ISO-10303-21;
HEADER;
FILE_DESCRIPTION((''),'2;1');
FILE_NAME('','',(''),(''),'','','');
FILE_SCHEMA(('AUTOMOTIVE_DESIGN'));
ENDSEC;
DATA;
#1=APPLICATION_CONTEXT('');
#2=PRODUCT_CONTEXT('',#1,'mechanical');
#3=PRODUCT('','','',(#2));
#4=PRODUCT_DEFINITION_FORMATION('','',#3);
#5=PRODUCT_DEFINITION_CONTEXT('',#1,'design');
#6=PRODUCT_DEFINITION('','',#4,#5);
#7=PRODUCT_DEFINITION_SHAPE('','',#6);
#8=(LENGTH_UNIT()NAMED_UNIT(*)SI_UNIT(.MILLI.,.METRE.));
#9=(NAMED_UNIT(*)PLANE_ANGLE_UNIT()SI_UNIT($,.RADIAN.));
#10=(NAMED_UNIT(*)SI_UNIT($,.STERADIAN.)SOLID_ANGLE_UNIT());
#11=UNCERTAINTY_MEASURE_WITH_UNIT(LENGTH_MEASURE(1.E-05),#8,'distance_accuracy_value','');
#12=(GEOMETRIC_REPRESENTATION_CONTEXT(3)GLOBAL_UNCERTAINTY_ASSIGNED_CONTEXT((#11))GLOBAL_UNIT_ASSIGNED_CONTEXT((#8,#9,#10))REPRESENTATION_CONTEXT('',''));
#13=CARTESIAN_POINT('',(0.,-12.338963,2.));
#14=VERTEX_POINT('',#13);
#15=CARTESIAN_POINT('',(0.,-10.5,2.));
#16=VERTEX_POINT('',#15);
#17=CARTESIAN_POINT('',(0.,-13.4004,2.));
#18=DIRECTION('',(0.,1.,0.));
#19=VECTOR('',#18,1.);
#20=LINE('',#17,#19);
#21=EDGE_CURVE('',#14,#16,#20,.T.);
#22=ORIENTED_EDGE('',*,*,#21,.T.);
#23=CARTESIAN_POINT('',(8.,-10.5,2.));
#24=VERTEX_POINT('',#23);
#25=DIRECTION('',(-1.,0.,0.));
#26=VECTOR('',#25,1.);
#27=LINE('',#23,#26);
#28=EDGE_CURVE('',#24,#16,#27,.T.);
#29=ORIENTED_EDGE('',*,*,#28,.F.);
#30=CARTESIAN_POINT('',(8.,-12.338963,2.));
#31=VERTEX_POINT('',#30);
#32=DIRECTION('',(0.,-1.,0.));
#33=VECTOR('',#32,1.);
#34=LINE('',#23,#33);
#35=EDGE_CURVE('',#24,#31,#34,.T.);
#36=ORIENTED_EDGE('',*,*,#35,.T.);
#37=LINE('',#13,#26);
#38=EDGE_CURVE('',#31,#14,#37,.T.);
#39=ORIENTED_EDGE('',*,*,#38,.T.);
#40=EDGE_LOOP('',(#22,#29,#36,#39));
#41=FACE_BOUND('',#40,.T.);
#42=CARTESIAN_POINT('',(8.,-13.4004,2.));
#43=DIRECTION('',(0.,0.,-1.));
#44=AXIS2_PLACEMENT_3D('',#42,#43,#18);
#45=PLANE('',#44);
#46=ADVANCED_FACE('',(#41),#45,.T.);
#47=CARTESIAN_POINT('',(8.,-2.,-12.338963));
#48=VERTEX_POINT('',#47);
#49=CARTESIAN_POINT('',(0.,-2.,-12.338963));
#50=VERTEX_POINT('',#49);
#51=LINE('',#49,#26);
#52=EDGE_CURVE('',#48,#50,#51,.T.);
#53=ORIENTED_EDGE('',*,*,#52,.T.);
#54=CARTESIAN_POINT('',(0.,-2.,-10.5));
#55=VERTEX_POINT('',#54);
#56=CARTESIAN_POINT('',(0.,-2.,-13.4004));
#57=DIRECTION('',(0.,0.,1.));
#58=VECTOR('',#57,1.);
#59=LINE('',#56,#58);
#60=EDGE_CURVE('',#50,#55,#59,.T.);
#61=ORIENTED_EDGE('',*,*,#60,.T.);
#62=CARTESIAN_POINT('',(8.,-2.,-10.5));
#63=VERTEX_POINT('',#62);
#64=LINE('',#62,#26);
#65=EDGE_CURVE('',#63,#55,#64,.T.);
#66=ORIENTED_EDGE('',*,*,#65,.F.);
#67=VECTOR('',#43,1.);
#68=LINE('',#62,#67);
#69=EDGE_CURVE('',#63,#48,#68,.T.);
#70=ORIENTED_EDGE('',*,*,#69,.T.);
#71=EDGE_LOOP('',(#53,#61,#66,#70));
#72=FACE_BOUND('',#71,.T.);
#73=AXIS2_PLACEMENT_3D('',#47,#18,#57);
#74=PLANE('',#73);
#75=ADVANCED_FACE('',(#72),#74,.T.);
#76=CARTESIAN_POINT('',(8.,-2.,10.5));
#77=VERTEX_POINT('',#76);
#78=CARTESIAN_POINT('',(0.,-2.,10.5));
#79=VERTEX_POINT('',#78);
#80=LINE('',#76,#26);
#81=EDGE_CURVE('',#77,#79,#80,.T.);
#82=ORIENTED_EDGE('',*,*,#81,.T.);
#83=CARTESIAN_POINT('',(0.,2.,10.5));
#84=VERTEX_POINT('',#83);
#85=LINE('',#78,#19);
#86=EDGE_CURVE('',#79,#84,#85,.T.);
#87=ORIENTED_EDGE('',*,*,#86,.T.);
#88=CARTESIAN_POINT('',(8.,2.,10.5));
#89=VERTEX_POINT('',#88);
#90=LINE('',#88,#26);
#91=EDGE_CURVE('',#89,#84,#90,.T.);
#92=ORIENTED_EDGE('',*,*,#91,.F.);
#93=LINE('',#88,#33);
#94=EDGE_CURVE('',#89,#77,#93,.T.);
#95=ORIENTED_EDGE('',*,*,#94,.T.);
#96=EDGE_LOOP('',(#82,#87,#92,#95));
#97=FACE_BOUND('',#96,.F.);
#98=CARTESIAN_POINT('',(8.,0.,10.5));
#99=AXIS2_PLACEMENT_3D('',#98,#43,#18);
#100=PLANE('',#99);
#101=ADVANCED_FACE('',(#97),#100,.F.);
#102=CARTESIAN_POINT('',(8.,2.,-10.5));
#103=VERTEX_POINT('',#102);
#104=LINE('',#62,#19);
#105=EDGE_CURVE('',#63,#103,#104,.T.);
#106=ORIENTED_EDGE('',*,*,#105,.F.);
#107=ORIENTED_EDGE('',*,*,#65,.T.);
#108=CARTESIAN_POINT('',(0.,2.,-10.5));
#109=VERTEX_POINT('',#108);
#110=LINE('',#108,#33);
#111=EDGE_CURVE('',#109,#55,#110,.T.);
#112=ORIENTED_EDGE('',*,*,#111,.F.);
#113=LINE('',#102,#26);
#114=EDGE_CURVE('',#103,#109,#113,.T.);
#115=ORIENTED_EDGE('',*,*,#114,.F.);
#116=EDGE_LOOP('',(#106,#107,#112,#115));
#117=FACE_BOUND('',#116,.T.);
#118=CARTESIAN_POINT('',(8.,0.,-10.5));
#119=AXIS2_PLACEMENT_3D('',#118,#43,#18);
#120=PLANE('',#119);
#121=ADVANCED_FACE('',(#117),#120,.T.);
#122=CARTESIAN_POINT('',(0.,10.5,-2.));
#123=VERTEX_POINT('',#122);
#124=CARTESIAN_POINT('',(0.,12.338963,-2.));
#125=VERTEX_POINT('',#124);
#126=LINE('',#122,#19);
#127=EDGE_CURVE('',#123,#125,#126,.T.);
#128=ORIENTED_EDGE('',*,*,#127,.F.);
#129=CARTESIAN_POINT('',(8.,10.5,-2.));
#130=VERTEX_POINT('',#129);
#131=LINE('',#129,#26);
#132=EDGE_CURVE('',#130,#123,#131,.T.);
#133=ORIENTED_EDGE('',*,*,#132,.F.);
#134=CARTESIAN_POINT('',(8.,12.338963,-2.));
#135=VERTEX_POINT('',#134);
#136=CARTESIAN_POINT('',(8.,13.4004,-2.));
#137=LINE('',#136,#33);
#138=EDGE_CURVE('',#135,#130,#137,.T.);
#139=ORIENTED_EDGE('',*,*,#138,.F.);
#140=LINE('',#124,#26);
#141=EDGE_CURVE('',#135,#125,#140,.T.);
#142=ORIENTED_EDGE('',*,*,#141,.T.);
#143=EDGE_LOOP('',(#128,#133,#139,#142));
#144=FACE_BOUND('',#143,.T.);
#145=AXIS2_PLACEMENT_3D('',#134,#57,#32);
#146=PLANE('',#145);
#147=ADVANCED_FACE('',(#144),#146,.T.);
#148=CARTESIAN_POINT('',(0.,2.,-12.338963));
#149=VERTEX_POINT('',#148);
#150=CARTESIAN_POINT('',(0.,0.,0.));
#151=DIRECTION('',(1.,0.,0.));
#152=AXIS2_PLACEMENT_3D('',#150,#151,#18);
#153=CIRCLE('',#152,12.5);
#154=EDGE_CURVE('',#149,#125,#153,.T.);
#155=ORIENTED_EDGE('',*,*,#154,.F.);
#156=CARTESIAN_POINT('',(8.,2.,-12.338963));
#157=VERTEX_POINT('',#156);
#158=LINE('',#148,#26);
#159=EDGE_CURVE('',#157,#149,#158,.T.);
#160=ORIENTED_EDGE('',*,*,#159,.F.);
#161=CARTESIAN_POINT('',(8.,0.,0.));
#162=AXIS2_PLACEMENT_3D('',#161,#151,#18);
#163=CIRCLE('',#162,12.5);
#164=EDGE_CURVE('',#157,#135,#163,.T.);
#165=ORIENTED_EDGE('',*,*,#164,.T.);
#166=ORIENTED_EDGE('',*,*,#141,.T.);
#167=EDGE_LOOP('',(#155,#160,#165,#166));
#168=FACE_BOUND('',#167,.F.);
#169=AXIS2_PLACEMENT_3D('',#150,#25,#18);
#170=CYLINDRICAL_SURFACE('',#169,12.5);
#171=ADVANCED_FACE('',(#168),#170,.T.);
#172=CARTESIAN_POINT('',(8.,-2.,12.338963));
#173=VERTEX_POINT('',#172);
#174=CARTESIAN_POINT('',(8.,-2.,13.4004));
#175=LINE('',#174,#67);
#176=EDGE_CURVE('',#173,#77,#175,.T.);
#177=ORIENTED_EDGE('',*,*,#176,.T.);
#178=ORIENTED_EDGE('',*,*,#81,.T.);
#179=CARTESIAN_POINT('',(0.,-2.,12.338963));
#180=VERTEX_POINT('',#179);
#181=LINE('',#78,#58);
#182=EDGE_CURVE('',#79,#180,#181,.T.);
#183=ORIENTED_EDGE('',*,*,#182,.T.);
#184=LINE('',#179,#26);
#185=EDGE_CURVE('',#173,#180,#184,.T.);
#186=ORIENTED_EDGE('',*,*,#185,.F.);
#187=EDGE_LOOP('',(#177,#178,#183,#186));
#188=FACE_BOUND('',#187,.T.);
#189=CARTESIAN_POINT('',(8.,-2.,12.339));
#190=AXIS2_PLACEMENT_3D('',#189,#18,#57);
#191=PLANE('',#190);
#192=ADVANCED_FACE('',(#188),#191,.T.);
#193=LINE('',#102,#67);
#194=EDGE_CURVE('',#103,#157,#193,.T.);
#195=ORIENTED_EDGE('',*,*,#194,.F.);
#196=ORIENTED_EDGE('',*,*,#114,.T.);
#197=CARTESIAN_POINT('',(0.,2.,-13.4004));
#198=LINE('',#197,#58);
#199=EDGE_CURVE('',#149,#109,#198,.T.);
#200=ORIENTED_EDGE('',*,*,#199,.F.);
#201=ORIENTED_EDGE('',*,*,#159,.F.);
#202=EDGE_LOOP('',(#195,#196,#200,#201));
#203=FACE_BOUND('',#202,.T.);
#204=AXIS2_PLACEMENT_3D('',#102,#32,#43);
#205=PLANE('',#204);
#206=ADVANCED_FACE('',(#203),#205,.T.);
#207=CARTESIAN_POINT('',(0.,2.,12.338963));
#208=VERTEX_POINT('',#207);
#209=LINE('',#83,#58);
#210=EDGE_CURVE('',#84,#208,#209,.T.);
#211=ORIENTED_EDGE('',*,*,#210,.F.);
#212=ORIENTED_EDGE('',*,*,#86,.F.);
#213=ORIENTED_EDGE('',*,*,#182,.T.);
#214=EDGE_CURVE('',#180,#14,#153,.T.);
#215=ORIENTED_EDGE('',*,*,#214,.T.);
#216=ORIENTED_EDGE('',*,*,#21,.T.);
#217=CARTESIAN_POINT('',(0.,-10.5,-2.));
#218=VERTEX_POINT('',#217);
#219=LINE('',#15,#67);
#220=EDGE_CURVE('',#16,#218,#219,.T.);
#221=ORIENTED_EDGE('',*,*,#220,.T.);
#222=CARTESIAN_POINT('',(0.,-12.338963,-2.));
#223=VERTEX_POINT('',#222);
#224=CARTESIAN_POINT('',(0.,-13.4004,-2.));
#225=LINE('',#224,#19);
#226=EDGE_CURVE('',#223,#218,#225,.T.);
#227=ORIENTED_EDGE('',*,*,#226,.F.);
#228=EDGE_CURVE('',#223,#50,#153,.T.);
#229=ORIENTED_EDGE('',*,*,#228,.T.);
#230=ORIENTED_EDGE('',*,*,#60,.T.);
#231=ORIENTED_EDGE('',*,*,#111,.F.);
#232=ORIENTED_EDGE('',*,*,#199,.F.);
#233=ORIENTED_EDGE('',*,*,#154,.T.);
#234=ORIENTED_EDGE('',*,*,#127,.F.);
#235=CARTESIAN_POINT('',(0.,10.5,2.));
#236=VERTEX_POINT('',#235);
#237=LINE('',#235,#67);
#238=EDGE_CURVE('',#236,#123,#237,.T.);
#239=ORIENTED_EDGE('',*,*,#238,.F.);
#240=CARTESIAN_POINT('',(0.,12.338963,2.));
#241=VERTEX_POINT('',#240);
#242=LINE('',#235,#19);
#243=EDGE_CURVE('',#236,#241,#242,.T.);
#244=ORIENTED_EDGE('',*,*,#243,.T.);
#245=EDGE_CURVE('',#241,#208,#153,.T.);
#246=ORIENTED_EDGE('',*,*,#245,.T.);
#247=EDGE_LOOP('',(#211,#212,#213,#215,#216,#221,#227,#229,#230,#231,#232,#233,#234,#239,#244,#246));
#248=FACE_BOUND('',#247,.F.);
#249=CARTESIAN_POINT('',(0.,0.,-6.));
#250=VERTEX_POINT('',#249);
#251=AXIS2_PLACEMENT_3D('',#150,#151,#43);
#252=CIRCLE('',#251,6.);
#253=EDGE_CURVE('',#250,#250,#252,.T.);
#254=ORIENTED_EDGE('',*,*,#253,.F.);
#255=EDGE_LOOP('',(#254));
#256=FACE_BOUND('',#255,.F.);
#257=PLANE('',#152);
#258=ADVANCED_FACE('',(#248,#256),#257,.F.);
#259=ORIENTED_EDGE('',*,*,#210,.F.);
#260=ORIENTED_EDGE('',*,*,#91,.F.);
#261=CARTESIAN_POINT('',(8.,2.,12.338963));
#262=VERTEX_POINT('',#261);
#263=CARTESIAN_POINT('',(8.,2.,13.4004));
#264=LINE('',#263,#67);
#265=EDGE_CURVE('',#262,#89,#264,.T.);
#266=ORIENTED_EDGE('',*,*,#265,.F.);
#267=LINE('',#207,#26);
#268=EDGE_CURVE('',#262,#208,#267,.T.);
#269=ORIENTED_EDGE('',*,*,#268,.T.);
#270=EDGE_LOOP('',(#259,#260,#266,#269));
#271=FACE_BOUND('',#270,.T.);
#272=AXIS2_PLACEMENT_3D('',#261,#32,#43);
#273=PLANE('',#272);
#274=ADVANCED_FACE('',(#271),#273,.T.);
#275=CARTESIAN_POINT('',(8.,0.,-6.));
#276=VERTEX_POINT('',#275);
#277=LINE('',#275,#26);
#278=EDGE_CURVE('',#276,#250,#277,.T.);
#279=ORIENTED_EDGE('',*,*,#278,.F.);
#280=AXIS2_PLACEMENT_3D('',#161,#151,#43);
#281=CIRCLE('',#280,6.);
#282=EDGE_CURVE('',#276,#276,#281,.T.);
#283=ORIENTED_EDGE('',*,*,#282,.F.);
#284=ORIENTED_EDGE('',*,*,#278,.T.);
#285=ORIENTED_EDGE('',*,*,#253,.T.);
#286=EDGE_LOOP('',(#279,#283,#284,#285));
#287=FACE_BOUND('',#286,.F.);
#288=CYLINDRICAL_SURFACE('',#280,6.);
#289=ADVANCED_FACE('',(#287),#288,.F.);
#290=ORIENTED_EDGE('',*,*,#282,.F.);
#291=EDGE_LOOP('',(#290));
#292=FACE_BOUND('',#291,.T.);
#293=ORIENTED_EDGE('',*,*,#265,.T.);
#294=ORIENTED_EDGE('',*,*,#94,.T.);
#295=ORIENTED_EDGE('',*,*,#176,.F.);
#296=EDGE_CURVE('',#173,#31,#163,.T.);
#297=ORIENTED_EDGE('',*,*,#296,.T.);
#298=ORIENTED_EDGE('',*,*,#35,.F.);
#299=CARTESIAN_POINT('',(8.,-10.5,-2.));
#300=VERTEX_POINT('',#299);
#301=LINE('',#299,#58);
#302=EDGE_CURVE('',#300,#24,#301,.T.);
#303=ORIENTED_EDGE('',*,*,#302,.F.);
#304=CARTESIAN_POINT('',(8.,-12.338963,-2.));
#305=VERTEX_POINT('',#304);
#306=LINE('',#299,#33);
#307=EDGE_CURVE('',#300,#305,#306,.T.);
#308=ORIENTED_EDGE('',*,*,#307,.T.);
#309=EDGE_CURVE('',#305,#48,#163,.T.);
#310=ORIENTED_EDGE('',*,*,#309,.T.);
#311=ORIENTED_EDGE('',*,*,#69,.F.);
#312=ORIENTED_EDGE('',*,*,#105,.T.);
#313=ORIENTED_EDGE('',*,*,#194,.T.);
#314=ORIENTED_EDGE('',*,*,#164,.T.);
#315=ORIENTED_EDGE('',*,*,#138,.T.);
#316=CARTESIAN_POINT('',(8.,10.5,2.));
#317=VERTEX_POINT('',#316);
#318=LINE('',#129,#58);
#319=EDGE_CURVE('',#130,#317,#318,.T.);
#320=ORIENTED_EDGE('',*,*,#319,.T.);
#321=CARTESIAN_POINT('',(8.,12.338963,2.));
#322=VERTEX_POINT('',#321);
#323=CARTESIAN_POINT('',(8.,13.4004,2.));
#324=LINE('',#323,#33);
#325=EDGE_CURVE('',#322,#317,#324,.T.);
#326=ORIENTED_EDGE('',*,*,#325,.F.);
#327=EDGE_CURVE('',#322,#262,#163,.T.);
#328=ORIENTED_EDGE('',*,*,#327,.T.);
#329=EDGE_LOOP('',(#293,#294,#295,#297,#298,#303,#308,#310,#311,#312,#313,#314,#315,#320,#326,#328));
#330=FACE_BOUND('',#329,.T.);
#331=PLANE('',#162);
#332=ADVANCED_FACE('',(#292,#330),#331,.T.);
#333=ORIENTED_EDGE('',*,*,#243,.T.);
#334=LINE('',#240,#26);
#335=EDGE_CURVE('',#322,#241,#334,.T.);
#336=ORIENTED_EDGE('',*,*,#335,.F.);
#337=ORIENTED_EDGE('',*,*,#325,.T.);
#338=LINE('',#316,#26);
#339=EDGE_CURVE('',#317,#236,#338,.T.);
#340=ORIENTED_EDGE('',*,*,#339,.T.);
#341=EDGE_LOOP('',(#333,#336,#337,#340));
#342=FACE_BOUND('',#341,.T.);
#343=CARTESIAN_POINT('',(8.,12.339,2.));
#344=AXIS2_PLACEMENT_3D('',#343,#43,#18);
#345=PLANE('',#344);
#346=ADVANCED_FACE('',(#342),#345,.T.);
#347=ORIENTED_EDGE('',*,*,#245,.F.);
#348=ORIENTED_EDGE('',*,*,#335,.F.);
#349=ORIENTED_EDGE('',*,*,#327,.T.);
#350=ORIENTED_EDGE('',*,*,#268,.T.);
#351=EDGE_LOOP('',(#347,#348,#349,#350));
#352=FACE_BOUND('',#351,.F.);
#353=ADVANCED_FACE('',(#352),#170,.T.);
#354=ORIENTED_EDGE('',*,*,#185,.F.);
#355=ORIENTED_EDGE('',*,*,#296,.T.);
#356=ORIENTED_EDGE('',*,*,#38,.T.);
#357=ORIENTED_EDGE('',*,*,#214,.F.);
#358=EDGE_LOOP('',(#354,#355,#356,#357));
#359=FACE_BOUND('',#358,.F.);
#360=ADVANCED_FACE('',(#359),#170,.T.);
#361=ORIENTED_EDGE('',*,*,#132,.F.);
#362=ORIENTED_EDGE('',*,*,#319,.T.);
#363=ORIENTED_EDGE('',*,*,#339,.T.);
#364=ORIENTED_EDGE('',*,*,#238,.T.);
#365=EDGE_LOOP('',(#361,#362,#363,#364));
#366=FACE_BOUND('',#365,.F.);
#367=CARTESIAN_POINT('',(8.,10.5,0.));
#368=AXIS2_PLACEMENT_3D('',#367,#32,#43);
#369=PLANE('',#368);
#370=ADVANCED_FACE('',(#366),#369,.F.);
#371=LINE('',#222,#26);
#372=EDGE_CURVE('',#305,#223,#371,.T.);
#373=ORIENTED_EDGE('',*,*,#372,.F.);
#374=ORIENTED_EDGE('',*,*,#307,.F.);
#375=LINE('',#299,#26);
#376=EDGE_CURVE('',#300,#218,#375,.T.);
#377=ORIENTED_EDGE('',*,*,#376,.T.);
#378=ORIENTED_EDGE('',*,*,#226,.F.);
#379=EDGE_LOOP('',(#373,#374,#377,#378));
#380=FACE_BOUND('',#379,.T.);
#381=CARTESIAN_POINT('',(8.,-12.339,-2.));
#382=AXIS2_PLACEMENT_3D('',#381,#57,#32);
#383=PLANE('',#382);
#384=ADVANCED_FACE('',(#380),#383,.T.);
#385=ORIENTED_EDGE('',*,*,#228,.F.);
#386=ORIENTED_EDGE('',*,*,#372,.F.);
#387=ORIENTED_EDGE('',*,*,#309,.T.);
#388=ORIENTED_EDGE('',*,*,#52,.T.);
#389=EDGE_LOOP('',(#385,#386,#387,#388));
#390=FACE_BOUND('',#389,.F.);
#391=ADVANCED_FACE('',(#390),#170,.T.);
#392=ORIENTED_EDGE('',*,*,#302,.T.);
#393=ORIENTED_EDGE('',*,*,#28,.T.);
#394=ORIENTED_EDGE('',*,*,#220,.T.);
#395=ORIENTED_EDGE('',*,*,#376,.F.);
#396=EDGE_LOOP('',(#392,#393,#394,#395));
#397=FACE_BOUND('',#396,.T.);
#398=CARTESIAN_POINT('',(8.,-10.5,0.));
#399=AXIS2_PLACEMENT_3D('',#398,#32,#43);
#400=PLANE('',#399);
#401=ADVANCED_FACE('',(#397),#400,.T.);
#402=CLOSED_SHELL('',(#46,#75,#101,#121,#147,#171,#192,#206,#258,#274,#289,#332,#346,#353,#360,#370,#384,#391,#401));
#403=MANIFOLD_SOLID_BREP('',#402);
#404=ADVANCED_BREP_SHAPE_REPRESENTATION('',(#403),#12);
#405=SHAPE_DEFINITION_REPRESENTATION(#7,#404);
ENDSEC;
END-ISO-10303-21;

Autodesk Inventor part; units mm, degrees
ref_plane "YZ Plane" through (0, 0, 0) normal (1, 0, 0) x (0, 1, 0)
ref_plane "XZ Plane" through (0, 0, 0) normal (0, 1, 0) x (-1, 0, 0)
sketch "Sketch1" plane through (0, 0, 0) normal (1, 0, 0) x (0, 1, 0)
  circle A0 centre (0, 0) radius 12.5
  dimension "d0" = 25
extrude "Extrusion1" add sketch "Sketch1" along normal blind 8
sketch "Sketch2" plane through (8, 0, 0) normal (1, 0, 0) x (0, 0, -1)
  circle A0 centre (0, 0) radius 6
  dimension "d3" = 12
extrude "Extrusion2" cut sketch "Sketch2" against normal blind 8
thread "Thread1" size "M12x1.75" class "6H" standard "ISO Metric profile" length 13
sketch "Sketch3" plane through (8, 0, 0) normal (1, 0, 0) x (0, 0, -1)
  circle A0 centre (0, 0) radius 12.5 projected
  line L0 (0, 12.5) -> (0, 10.5)
  line L1 (0, 10.5) -> (-2, 10.5)
  line L2 (-2, 10.5) -> (2, 10.5)
  line L3 (-2, 10.5) -> (-2, 12.339)
  line L4 (-2, 13.4004) -> (2, 13.4004)
  line L5 (2, 13.4004) -> (2, 10.5)
  line L6 (-2, 12.339) -> (-2, 13.4004)
  line L7 (-12.5, 0) -> (-10.5, 0)
  line L8 (-10.5, 0) -> (-10.5, -2)
  line L9 (-10.5, -2) -> (-10.5, 2)
  line L10 (-10.5, -2) -> (-12.339, -2)
  line L11 (-13.4004, -2) -> (-13.4004, 2)
  line L12 (-13.4004, 2) -> (-10.5, 2)
  line L13 (-12.339, -2) -> (-13.4004, -2)
  line L14 (0, -12.5) -> (0, -10.5)
  line L15 (0, -10.5) -> (2, -10.5)
  line L16 (2, -10.5) -> (-2, -10.5)
  line L17 (2, -10.5) -> (2, -12.339)
  line L18 (2, -13.4004) -> (-2, -13.4004)
  line L19 (-2, -13.4004) -> (-2, -10.5)
  line L20 (2, -12.339) -> (2, -13.4004)
  line L21 (12.5, 0) -> (10.5, 0)
  line L22 (10.5, 0) -> (10.5, 2)
  line L23 (10.5, 2) -> (10.5, -2)
  line L24 (10.5, 2) -> (12.339, 2)
  line L25 (13.4004, 2) -> (13.4004, -2)
  line L26 (13.4004, -2) -> (10.5, -2)
  line L27 (12.339, 2) -> (13.4004, 2)
  dimension "d9" = 2
  dimension "d10" = 4
  dimension "d16" = 360
extrude "Extrusion3" cut sketch "Sketch3" against normal blind 8 contours L21 L22 L24 A0 | A0 L27 L25 L26 | A0 L26 L23 L21 | L5 L2 L0 A0 | A0 L6 L4 L5 | L20 L18 L19 A0 | A0 L14 L15 L17 | L0 L1 L3 A0 | A0 L19 L16 L14 | L12 L9 L7 A0 | A0 L13 L11 L12 | A0 L7 L8 L10
ref_plane "Work Plane1" through (0, 0, 0) normal (0, 0, 1) x (1, 0, 0)
properties part number "7. LockNutM12" material "Lead"
